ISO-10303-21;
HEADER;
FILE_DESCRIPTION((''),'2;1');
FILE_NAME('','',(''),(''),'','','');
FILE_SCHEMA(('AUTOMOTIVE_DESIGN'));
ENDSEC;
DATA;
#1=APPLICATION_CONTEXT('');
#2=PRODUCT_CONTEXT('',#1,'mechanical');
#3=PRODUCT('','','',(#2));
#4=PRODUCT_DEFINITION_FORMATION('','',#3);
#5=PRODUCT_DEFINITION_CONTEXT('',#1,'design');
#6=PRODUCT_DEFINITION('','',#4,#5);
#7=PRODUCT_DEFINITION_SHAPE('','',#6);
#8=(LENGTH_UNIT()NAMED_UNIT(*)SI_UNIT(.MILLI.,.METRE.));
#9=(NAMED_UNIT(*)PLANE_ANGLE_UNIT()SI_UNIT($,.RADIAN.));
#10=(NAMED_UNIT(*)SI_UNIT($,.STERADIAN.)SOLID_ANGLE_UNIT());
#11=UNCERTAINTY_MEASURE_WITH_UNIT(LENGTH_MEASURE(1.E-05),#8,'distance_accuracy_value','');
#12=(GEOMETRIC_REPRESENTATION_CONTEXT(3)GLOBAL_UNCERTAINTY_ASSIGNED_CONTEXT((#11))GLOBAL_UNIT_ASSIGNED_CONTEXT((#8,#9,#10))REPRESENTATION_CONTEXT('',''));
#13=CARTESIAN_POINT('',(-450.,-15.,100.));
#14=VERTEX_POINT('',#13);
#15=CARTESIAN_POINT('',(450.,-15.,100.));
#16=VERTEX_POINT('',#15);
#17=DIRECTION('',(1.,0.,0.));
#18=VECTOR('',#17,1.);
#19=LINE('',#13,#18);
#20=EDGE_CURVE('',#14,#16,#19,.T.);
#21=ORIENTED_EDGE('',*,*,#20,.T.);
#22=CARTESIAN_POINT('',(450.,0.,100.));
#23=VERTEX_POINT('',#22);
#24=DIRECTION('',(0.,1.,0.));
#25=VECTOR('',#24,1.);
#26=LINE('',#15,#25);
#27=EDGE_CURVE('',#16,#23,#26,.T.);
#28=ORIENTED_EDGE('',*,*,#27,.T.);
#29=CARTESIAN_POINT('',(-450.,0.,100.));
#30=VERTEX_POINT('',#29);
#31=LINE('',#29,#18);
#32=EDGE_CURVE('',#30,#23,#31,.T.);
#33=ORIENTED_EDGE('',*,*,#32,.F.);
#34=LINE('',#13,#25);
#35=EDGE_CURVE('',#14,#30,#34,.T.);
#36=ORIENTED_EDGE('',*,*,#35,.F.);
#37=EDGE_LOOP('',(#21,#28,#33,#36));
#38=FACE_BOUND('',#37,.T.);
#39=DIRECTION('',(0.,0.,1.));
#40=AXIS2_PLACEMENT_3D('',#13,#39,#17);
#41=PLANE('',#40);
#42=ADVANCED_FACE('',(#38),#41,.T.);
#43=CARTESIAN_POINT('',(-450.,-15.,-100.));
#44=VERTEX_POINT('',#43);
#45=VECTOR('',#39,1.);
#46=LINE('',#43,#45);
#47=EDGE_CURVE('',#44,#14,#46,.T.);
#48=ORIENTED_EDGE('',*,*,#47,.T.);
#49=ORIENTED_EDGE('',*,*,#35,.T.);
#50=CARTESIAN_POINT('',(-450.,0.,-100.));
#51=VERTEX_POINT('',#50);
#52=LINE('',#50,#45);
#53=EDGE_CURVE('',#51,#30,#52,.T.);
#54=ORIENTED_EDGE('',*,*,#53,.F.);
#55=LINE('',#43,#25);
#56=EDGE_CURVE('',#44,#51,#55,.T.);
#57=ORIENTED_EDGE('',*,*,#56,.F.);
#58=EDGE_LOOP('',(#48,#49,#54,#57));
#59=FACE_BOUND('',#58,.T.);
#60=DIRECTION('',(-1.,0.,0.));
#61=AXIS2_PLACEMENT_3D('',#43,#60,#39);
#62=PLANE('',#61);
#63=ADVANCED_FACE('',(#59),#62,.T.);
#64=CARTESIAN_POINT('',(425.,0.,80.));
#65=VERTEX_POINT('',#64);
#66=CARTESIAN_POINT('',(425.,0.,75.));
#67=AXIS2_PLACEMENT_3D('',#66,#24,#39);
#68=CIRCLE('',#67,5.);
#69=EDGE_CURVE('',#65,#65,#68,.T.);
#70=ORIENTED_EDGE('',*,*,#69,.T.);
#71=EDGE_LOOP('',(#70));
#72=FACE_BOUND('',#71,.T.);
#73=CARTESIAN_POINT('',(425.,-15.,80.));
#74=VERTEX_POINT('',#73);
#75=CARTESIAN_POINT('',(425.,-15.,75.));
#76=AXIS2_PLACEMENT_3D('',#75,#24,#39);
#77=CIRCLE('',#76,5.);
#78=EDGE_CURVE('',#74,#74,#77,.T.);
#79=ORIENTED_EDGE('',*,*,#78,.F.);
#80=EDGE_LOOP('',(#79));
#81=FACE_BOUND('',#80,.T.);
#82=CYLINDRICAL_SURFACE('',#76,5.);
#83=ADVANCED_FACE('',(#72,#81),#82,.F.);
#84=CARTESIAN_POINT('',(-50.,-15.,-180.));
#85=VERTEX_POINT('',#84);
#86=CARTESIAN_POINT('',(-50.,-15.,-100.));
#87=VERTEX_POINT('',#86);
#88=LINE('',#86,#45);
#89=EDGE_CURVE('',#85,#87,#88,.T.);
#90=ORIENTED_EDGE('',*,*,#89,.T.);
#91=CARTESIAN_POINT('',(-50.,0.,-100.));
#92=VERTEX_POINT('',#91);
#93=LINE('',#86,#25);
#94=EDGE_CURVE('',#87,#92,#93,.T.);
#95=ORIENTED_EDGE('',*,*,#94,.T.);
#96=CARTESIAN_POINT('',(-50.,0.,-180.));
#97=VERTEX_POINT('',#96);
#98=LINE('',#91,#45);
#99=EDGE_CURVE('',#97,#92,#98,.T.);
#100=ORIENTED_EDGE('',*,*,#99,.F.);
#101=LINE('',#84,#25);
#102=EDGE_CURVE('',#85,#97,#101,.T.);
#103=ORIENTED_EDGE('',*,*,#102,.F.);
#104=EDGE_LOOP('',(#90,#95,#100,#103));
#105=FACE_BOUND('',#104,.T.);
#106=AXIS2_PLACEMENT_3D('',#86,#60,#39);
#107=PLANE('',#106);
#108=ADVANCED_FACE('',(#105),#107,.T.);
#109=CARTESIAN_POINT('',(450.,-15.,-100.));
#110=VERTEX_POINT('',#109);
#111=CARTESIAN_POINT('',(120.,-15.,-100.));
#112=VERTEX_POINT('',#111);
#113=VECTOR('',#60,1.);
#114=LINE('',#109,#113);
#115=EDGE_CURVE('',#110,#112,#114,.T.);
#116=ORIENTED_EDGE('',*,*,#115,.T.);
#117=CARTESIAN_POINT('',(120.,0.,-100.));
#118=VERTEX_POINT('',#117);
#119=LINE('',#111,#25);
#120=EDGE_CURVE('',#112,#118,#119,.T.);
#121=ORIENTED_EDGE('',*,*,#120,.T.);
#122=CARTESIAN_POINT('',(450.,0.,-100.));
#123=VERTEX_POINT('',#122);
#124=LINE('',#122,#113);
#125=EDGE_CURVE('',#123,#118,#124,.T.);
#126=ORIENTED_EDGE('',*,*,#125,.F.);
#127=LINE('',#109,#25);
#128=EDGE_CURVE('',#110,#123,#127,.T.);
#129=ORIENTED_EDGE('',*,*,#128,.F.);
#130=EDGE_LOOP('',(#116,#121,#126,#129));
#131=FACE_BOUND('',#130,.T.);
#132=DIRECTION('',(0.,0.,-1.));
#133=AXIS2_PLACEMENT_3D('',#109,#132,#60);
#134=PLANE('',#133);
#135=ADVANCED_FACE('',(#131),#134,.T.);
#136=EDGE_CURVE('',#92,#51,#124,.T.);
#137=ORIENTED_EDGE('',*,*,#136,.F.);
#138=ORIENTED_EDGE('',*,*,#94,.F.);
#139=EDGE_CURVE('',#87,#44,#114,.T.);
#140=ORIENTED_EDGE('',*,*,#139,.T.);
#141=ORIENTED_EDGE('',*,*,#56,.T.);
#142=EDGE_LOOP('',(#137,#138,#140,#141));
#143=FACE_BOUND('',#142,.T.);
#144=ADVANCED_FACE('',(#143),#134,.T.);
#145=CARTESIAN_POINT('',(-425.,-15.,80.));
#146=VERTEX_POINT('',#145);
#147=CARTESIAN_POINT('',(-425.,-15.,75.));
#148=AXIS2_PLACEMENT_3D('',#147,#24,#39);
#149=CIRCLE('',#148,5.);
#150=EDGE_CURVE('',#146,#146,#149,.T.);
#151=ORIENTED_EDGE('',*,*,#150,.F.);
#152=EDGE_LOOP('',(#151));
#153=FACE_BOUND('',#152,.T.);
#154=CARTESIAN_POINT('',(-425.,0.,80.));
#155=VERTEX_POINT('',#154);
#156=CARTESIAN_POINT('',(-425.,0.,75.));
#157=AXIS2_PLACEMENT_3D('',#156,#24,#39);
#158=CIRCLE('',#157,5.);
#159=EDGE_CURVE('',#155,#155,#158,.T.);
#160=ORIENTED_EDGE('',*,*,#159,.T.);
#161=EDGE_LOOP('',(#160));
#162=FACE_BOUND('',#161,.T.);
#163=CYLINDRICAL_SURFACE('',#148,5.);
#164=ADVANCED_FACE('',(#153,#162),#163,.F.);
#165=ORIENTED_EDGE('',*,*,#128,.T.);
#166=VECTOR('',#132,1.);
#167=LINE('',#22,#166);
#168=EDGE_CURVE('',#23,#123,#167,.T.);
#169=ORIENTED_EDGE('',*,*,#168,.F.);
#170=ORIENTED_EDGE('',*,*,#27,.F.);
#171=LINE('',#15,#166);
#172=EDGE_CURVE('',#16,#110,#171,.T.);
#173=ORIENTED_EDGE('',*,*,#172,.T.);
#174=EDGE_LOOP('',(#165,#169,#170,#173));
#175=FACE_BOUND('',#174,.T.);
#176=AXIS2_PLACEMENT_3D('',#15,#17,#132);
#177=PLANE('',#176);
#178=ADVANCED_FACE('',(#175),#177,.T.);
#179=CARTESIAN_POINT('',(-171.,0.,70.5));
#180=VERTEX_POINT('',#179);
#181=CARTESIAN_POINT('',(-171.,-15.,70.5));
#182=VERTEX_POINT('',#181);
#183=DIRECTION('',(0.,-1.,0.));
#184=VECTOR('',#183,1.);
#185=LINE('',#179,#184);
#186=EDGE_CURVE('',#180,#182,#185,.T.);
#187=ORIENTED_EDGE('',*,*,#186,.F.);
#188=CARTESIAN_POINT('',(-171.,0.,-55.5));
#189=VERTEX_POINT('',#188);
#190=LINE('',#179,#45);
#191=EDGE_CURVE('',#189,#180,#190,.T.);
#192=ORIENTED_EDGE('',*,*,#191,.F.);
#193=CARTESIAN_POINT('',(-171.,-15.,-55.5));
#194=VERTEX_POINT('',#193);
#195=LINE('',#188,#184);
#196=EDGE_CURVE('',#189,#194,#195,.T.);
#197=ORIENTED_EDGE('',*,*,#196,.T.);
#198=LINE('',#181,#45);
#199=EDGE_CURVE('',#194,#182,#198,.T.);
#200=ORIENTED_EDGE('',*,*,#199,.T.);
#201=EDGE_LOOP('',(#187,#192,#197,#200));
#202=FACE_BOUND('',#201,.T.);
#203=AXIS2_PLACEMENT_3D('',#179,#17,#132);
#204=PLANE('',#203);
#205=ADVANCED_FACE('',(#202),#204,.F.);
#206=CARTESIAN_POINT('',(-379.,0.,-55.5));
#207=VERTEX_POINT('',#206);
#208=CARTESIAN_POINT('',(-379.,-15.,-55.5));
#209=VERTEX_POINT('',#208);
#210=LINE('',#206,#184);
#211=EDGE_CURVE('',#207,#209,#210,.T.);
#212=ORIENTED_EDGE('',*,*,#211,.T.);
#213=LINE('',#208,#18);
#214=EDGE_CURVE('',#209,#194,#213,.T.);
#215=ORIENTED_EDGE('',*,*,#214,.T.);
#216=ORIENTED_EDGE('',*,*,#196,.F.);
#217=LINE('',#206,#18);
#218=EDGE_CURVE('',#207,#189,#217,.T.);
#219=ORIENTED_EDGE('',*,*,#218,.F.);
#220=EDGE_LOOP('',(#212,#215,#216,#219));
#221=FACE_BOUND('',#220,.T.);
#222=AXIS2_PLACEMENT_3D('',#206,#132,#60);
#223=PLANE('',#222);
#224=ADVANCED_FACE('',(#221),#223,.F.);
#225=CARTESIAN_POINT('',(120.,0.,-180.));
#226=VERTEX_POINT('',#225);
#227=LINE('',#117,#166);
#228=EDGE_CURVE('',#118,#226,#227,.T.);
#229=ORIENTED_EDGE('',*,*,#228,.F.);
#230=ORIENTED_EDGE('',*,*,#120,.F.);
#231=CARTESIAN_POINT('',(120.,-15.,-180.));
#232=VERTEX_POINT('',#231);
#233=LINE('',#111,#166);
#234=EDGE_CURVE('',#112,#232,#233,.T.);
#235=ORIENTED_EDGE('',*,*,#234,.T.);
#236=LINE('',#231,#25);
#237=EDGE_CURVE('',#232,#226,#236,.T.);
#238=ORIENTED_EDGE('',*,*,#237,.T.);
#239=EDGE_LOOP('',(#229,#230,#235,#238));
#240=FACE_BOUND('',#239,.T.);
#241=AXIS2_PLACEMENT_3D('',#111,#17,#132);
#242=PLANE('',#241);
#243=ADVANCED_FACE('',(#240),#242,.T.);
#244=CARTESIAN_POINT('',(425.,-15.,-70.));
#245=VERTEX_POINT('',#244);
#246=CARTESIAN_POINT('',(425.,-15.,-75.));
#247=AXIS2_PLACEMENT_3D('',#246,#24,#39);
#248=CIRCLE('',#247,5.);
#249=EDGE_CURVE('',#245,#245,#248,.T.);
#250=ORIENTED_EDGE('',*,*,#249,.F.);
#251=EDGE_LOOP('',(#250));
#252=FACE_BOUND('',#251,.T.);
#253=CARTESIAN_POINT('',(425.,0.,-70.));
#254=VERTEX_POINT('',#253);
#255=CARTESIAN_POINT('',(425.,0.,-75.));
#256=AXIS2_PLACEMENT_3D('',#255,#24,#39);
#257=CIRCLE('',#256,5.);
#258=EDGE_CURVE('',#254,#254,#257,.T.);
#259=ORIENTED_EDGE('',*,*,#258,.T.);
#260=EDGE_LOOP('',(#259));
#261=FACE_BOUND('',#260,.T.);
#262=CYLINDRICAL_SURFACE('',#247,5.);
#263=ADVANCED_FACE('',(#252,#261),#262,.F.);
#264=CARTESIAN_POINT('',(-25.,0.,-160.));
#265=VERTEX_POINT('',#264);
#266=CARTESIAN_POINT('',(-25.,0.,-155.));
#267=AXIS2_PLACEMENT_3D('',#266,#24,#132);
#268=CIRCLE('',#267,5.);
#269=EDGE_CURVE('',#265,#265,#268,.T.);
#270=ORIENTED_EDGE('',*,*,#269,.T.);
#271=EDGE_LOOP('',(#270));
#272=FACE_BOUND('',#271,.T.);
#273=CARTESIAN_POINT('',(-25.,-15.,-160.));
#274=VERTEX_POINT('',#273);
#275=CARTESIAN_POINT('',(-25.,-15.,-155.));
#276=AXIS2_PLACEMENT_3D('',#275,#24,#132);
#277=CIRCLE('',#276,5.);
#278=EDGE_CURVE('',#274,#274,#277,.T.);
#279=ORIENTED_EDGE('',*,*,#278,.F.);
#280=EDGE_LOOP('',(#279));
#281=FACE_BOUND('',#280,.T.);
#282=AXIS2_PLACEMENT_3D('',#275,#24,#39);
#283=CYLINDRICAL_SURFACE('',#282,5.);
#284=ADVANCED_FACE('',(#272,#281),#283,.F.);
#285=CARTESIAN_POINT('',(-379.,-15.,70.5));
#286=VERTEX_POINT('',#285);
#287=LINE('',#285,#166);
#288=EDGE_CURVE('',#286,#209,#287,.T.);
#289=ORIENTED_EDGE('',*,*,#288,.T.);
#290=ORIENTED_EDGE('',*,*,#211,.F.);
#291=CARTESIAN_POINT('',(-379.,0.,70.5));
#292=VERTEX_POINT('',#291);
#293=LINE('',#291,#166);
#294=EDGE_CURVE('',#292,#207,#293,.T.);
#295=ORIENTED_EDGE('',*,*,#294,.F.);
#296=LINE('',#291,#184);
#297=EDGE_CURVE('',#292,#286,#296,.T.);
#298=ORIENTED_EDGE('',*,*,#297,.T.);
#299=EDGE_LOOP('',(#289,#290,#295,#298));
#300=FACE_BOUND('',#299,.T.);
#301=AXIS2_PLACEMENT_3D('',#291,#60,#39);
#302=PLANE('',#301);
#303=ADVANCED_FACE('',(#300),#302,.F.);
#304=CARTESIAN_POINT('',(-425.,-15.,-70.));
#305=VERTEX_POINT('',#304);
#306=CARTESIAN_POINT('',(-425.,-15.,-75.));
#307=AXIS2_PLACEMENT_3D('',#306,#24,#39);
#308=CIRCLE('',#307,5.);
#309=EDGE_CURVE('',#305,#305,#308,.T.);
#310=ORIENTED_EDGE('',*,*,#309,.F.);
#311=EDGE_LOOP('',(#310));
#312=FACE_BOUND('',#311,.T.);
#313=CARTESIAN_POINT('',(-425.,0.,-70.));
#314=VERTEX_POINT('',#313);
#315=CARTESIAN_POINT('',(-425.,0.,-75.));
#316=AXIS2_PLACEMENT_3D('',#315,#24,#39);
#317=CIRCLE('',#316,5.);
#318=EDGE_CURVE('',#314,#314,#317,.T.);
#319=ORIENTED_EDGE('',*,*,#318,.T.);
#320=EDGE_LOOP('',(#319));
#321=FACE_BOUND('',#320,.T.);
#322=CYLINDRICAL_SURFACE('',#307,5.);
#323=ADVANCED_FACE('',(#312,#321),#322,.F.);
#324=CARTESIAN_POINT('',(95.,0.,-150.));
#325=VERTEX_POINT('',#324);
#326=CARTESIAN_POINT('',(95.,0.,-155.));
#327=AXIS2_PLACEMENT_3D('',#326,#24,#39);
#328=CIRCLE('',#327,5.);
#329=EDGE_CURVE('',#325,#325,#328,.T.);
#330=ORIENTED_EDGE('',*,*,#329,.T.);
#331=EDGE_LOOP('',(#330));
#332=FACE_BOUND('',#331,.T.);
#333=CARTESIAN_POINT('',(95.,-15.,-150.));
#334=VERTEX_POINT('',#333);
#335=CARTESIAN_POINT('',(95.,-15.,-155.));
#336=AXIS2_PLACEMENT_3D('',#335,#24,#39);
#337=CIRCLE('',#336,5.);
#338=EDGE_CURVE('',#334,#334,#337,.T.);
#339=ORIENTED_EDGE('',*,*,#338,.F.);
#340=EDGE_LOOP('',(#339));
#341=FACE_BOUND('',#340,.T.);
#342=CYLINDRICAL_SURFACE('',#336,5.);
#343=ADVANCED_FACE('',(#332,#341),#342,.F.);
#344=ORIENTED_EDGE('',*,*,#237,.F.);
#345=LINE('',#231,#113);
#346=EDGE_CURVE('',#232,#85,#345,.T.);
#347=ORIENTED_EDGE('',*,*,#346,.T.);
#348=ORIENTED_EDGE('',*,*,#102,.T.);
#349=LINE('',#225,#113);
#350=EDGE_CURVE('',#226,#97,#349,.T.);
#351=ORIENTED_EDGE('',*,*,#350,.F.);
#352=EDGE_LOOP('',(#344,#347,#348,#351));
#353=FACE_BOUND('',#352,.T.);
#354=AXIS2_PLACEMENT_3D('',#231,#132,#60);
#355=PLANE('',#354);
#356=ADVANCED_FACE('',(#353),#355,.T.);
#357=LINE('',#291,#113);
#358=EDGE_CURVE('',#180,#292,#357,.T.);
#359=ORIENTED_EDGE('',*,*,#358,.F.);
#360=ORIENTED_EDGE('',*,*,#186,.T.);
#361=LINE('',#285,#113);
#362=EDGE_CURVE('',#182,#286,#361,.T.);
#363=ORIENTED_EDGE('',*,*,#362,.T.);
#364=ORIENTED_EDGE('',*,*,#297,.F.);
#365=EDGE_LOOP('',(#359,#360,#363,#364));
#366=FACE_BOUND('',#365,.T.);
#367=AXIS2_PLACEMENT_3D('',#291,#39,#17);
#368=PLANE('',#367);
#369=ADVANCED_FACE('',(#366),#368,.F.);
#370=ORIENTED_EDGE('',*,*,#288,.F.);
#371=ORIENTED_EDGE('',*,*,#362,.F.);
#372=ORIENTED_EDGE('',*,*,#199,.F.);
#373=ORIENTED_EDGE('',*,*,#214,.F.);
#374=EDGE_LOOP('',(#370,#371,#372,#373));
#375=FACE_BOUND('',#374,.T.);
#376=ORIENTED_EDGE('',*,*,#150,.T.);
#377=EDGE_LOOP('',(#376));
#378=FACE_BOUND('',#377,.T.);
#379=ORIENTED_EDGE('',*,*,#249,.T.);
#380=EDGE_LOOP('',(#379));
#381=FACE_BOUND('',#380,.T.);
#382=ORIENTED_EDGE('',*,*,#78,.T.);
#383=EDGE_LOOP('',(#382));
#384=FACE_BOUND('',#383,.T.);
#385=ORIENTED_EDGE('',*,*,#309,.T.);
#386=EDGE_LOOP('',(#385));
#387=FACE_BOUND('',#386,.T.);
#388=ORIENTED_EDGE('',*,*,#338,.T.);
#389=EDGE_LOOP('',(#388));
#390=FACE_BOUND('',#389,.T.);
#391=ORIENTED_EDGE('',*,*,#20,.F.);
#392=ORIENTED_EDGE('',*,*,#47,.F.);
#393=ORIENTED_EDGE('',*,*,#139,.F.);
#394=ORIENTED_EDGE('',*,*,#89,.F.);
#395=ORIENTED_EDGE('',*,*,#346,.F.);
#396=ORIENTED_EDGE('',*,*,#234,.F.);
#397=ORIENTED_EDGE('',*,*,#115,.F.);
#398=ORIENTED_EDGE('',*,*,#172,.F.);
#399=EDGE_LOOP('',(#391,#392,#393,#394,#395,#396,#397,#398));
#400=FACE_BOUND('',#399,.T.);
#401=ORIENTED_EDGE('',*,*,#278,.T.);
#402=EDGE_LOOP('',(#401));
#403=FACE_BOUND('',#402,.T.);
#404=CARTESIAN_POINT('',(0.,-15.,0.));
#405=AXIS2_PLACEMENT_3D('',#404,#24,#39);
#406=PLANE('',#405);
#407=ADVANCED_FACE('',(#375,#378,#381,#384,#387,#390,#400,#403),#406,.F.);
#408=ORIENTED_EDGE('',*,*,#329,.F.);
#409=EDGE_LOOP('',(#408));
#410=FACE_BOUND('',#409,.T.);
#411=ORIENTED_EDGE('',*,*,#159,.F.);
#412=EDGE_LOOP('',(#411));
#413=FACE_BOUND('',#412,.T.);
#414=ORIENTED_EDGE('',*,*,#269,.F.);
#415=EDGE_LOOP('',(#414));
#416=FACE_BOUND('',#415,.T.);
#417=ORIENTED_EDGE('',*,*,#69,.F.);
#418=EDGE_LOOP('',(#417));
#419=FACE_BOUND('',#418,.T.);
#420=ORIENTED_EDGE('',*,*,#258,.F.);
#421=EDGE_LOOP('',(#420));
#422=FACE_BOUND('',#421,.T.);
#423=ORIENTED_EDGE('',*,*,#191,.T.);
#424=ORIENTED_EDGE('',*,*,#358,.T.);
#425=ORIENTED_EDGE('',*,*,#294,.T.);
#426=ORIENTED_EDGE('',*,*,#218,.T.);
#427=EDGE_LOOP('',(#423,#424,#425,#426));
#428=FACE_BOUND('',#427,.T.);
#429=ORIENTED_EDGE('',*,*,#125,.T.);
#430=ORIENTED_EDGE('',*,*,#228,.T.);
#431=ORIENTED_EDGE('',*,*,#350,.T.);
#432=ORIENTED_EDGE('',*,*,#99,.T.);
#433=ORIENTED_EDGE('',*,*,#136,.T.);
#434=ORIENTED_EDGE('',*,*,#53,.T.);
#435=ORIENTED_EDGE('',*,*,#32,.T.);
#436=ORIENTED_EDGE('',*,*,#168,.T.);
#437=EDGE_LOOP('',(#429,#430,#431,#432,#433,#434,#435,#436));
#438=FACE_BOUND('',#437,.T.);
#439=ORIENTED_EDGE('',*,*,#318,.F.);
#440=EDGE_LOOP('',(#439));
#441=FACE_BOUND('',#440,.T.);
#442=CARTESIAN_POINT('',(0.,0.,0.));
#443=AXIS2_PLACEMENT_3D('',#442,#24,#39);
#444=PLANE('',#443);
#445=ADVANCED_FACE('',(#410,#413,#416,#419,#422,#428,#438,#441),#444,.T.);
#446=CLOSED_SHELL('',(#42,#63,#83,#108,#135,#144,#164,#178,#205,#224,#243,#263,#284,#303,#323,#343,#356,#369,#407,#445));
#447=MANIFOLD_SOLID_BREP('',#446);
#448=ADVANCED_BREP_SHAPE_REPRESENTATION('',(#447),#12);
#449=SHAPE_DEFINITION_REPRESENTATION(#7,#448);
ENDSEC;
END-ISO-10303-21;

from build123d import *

# Parameters (mm, degrees)
SKETCH1_W              = 900
SKETCH1_H              = 200
SKETCH1_R              = 5
BOSS_EXTRUDE1_DEPTH    = 15
SKETCH2_W              = 208
SKETCH2_H              = 126
SHREDDER_OPENING_DEPTH = 462.221205063
SKETCH3_W              = 170
SKETCH3_H              = 80
SKETCH3_R              = 5
LEGS_ADD_ON_DEPTH      = 15


with BuildPart() as part:
    # Sketch1 → Boss-Extrude1 (new body)
    with BuildSketch(Plane(origin=(0, 0, 0), x_dir=(1, 0, 0), z_dir=(0, 1, 0))):
        Rectangle(SKETCH1_W, SKETCH1_H)
        with Locations(Location((425, -75, 0), (0, 0, 270))):
            Circle(SKETCH1_R, mode=Mode.SUBTRACT)
        with Locations(Location((425, 75, 0), (0, 0, 270))):
            Circle(SKETCH1_R, mode=Mode.SUBTRACT)
        with Locations(Location((-425, -75, 0), (0, 0, 270))):
            Circle(SKETCH1_R, mode=Mode.SUBTRACT)
        with Locations(Location((-425, 75, 0), (0, 0, 270))):
            Circle(SKETCH1_R, mode=Mode.SUBTRACT)
    extrude(amount=-BOSS_EXTRUDE1_DEPTH)

    # Sketch2 → Shredder Opening (cut, through all)
    with BuildSketch(Plane.XZ.offset(15)):
        with Locations((-275, 7.5)):
            Rectangle(SKETCH2_W, SKETCH2_H)
    extrude(amount=-SHREDDER_OPENING_DEPTH, mode=Mode.SUBTRACT)

    # Sketch3 → Legs add on (add, through all)
    with BuildSketch(Plane(origin=(0, 0, 0), x_dir=(1, 0, 0), z_dir=(0, 1, 0))):
        with Locations((35, 140)):
            Rectangle(SKETCH3_W, SKETCH3_H)
        with Locations(Location((95, 155, 0), (0, 0, 270))):
            Circle(SKETCH3_R, mode=Mode.SUBTRACT)
        with Locations(Location((-25, 155, 0), (0, 0, 90))):
            Circle(SKETCH3_R, mode=Mode.SUBTRACT)
    extrude(amount=-LEGS_ADD_ON_DEPTH)


solid = part.part
